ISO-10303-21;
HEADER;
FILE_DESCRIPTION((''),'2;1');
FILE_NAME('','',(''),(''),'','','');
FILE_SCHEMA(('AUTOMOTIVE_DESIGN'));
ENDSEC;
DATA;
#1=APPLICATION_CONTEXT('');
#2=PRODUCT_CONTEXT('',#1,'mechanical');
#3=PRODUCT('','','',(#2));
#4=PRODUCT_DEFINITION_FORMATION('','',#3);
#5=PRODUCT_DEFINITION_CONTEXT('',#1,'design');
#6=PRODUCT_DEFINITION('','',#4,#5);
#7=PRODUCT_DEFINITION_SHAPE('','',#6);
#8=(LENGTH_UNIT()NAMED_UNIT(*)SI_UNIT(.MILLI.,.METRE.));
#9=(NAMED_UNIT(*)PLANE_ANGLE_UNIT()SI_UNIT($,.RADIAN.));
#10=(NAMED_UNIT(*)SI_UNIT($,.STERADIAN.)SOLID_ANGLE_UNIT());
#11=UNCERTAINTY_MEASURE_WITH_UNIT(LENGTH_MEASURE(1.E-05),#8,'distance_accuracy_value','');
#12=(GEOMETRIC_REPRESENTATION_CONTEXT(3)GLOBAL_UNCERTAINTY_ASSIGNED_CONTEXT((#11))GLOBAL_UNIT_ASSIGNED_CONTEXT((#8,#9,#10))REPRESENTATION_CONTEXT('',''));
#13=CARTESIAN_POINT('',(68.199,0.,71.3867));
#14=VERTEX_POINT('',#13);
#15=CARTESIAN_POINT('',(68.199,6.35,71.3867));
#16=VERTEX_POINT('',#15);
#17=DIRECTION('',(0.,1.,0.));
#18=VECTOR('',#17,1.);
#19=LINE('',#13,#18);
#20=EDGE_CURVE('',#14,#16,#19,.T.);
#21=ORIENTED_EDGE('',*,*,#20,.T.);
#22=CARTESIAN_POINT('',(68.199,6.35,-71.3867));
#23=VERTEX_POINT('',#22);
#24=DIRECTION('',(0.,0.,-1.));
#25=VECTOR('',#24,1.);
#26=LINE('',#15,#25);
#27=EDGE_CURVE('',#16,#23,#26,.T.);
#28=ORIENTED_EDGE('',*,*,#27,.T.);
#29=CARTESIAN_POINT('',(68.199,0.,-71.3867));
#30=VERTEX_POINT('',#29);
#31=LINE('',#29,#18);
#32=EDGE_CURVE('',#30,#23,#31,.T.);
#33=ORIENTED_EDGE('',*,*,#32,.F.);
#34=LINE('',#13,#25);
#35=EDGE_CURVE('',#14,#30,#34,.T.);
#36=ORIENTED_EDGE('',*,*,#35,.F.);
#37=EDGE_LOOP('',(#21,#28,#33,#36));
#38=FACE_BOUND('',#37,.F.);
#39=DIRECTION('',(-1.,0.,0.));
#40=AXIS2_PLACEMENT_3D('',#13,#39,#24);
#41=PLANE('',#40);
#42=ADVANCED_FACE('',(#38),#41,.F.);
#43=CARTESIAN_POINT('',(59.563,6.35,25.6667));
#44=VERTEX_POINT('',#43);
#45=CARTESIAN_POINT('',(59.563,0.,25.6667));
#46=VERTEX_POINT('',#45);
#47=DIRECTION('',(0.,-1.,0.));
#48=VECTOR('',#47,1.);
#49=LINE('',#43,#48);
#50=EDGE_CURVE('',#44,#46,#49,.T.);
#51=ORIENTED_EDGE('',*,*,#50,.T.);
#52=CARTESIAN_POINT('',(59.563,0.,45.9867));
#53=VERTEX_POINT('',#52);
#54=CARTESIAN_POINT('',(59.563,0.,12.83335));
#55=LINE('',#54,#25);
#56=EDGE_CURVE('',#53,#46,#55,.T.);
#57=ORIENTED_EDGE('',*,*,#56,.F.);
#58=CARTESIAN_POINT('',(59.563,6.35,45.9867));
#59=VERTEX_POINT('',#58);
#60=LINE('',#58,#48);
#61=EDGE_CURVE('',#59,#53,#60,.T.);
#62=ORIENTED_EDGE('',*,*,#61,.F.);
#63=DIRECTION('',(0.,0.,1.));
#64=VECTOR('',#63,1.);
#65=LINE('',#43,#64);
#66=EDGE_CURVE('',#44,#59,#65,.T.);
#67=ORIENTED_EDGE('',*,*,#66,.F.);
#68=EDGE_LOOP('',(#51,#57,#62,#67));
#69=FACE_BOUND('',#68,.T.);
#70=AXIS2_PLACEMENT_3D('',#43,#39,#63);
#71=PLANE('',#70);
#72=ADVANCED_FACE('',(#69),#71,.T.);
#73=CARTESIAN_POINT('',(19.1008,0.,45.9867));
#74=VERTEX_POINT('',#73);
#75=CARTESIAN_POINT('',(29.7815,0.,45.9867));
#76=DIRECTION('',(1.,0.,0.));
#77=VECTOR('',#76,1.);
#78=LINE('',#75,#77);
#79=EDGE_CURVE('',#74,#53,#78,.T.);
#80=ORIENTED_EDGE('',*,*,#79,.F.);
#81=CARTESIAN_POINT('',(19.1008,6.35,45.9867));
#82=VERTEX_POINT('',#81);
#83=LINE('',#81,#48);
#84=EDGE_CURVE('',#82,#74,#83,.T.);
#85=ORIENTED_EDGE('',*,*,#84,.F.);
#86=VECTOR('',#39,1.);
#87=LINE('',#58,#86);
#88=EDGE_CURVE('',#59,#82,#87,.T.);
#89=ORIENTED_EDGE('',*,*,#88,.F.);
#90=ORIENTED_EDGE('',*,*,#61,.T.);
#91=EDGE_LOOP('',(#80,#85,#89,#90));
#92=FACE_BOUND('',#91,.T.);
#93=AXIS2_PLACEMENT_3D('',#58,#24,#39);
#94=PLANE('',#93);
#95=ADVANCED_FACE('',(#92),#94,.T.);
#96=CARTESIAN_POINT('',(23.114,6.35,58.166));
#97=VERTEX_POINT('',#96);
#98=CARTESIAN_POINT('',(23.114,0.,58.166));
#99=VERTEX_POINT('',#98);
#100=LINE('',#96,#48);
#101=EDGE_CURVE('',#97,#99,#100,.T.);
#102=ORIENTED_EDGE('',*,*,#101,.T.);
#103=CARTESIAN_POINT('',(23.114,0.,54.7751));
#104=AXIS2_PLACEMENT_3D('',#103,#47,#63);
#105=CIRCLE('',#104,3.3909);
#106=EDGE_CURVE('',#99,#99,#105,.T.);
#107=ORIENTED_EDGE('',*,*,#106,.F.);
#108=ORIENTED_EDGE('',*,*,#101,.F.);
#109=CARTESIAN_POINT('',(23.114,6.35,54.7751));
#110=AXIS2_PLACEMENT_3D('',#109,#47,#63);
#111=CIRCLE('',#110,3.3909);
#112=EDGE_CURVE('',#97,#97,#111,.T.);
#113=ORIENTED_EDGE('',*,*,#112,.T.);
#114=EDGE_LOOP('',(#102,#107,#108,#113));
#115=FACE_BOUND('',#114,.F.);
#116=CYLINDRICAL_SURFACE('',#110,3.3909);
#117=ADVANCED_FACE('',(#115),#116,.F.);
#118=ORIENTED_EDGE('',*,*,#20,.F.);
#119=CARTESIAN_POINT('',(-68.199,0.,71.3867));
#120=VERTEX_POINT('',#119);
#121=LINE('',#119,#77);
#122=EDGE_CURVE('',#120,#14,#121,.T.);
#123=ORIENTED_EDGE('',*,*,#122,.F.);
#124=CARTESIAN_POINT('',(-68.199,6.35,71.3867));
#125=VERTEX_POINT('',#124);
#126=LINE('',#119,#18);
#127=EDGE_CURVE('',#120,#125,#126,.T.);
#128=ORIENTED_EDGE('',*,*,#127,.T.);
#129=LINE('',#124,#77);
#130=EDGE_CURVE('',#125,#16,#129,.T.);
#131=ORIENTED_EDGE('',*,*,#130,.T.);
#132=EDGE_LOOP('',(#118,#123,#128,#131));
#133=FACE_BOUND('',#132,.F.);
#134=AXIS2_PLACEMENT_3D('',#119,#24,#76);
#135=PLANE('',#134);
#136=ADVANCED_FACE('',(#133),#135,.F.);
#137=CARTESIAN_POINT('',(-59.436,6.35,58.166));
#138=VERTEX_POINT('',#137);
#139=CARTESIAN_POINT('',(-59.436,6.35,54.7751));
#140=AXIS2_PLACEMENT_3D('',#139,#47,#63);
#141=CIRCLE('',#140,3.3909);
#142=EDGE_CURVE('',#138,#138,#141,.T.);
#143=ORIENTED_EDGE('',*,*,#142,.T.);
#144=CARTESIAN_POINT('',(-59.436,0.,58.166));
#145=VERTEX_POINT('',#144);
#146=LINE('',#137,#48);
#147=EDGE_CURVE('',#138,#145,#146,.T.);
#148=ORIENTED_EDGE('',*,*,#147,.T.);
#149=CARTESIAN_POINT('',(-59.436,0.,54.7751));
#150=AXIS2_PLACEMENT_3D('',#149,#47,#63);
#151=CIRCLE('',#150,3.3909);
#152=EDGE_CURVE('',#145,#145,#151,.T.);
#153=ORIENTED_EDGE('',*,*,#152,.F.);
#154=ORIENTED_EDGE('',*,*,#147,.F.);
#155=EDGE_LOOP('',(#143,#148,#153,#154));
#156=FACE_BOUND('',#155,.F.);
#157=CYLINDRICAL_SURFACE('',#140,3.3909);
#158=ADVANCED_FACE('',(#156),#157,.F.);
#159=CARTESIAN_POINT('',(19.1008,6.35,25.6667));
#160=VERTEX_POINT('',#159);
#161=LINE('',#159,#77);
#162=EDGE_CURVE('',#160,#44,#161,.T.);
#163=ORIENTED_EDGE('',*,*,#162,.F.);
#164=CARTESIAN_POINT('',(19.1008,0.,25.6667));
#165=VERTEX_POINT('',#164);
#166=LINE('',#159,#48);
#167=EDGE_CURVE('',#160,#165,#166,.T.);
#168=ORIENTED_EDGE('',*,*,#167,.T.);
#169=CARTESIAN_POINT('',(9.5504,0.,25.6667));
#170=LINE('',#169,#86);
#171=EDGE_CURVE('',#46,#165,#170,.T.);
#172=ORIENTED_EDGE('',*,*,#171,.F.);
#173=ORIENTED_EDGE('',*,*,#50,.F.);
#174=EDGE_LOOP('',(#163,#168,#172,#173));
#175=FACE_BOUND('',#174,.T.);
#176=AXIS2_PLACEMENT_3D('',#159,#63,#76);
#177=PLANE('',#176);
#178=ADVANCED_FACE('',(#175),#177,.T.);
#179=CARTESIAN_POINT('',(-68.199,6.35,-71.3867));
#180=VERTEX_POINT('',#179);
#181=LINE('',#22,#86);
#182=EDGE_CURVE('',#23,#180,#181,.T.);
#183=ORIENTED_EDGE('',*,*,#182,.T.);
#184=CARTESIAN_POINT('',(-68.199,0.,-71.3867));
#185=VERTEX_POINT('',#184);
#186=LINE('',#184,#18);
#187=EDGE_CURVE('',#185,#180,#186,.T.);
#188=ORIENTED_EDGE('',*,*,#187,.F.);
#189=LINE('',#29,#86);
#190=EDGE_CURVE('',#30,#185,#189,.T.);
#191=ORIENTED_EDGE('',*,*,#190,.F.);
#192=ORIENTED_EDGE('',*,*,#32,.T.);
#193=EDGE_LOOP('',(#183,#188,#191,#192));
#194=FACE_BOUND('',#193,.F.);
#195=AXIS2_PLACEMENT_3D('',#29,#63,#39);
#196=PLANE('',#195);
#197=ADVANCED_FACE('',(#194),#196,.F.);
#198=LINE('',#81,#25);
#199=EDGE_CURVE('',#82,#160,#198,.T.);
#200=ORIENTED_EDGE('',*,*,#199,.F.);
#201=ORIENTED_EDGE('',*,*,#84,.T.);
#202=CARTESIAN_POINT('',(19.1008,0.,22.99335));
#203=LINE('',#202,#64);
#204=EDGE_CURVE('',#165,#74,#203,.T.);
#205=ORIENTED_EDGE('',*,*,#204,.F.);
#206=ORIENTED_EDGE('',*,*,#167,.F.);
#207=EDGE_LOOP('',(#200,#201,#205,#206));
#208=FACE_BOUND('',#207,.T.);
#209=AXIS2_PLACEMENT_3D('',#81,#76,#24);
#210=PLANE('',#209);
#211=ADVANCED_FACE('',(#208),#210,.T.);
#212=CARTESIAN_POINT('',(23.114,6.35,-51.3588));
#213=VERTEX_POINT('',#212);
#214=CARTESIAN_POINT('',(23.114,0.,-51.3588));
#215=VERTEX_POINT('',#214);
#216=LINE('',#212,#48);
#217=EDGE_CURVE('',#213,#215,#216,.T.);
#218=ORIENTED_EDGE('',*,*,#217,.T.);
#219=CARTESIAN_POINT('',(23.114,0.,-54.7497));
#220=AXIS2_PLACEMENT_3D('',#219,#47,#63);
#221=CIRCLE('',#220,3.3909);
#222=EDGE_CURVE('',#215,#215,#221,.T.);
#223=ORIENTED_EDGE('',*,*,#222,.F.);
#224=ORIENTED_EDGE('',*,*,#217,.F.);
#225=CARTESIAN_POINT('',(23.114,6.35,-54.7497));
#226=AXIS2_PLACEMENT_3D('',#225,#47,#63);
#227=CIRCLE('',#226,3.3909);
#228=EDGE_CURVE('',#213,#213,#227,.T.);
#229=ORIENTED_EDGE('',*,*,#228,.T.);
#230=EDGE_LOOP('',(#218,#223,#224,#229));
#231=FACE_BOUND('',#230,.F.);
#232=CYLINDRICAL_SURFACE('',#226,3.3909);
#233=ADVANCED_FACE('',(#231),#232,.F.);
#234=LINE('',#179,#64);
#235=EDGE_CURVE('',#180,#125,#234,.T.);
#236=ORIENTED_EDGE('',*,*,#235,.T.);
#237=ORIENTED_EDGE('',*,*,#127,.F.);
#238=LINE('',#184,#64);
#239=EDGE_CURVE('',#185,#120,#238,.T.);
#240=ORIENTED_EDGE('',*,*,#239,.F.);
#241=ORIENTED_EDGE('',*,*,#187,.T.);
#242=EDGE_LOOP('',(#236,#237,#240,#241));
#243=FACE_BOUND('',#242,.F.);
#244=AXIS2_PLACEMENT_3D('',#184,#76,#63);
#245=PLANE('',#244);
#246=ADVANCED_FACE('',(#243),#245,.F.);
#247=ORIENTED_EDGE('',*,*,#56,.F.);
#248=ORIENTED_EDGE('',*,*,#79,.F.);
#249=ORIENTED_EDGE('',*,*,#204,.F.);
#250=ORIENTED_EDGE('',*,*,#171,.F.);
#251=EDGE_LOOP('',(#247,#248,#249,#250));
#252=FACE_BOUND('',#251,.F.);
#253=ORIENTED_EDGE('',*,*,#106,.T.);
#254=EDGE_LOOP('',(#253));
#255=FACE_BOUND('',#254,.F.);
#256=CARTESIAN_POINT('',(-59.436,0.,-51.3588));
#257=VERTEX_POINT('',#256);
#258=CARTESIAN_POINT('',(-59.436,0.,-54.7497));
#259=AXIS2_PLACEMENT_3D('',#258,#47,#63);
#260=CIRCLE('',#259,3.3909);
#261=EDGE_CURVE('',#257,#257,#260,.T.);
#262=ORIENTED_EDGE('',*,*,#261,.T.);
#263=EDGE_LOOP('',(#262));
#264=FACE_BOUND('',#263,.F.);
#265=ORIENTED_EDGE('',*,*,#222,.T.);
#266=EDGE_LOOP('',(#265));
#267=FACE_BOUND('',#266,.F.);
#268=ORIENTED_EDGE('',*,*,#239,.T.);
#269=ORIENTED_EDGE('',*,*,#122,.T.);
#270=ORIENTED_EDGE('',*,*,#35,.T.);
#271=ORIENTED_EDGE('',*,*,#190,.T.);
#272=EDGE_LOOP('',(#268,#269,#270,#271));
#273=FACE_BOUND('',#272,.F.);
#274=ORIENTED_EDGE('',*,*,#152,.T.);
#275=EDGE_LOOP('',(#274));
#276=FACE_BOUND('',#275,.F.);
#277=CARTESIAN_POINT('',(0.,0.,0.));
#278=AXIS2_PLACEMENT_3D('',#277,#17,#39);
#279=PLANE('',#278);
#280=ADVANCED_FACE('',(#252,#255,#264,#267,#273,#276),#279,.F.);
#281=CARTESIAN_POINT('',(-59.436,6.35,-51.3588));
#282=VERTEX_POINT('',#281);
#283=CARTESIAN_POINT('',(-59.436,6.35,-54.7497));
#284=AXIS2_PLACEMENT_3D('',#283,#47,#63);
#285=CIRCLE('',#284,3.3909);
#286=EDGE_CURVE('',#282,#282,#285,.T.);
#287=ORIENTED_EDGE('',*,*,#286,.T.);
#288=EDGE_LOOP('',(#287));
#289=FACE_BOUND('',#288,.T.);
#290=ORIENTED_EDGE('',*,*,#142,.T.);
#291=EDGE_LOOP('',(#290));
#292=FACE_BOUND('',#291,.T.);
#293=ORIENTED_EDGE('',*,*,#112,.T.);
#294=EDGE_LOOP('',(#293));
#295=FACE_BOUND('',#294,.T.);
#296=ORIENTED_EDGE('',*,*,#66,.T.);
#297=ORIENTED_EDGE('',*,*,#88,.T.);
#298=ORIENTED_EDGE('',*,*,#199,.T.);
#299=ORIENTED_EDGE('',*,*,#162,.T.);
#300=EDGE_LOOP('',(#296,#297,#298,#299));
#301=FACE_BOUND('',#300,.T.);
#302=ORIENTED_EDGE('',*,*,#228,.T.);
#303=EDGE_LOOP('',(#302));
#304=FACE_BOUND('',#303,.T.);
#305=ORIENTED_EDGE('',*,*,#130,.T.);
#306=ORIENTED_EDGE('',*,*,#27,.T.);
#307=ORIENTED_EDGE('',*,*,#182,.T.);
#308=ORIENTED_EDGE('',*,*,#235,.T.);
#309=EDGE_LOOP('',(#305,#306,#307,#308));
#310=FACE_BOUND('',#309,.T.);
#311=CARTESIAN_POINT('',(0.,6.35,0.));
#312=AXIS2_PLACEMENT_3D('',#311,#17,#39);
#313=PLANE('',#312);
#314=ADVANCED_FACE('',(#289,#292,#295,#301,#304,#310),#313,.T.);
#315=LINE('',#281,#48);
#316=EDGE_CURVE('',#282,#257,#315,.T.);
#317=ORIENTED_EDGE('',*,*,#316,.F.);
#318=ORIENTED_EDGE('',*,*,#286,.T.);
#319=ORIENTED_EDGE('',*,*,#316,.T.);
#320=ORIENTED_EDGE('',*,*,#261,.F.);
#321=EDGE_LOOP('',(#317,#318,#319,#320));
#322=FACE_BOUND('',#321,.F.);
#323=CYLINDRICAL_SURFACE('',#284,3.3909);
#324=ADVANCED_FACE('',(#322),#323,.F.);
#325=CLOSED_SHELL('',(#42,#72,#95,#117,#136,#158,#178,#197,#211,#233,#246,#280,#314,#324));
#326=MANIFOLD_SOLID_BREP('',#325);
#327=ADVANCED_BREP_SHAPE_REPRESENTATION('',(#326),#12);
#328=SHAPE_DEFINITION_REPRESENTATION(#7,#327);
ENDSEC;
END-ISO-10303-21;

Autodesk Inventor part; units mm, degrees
ref_plane "YZ Plane" through (0, 0, 0) normal (1, 0, 0) x (0, 1, 0)
ref_plane "XZ Plane" through (0, 0, 0) normal (0, 1, 0) x (-1, 0, 0)
ref_plane "XY Plane" through (0, 0, 0) normal (0, 0, 1) x (1, 0, 0)
sketch "Sketch1" plane through (0, 0, 0) normal (0, 1, 0) x (-1, 0, 0)
  line L0 (-68.199, -71.3867) -> (68.199, -71.3867)
  line L1 (68.199, -71.3867) -> (68.199, 71.3867)
  line L2 (68.199, 71.3867) -> (-68.199, 71.3867)
  line L3 (-68.199, 71.3867) -> (-68.199, -71.3867)
  line L4 (-68.199, -71.3867) -> (68.199, 71.3867) construction
  line L5 (68.199, -71.3867) -> (-68.199, 71.3867) construction
  point P0 (0, 0)
  dimension "d0" = 136.398
  dimension "d1" = 142.7734
extrude "Extrusion1" add sketch "Sketch1" along normal blind 6.35
sketch "Sketch2" plane through (0, 6.35, 0) normal (0, 1, 0) x (1, 0, 0)
  line L0 (-68.199, 71.3867) -> (-68.199, -71.3867) projected
  line L1 (-68.199, -71.3867) -> (68.199, -71.3867) projected
  line L2 (68.199, -71.3867) -> (68.199, 71.3867) projected
  line L3 (-59.436, -54.7751) -> (-59.436, 54.7497) construction
  line L4 (-59.436, 54.7497) -> (23.114, 54.7497) construction
  line L5 (23.114, 54.7497) -> (23.114, -54.7751) construction
  line L6 (23.114, -54.7751) -> (-59.436, -54.7751) construction
  line L7 (68.199, 71.3867) -> (-68.199, 71.3867) projected
  point P0 (0, 0)
  dimension "d4" = 8.763
  dimension "d5" = 16.6116
  dimension "d8" = 82.55
  dimension "d9" = 109.5248
  dimension "d17" = 16.637
hole "Hole1" at (-59.436, 6.35, -54.7497) at (23.114, 6.35, -54.7497) at (23.114, 6.35, 54.7751) at (-59.436, 6.35, 54.7751) direction (0, -1, 0) diameter 6.7818 end through all thread size "5/16-24 UNF" class "2B" standard "ANSI Unified Screw Threads"
sketch "Sketch3" plane through (0, 6.35, 0) normal (0, 1, 0) x (1, 0, 0)
  line L0 (59.563, -45.9867) -> (19.1008, -45.9867) projected
  line L1 (59.563, -25.6667) -> (59.563, -45.9867) projected
  line L2 (19.1008, -25.6667) -> (59.563, -25.6667) projected
  line L3 (19.1008, -45.9867) -> (19.1008, -25.6667) projected
  point P0 (0, 0)
extrude "Extrusion2" cut sketch "Sketch3" against normal up to next
properties part number "loader_frame"
